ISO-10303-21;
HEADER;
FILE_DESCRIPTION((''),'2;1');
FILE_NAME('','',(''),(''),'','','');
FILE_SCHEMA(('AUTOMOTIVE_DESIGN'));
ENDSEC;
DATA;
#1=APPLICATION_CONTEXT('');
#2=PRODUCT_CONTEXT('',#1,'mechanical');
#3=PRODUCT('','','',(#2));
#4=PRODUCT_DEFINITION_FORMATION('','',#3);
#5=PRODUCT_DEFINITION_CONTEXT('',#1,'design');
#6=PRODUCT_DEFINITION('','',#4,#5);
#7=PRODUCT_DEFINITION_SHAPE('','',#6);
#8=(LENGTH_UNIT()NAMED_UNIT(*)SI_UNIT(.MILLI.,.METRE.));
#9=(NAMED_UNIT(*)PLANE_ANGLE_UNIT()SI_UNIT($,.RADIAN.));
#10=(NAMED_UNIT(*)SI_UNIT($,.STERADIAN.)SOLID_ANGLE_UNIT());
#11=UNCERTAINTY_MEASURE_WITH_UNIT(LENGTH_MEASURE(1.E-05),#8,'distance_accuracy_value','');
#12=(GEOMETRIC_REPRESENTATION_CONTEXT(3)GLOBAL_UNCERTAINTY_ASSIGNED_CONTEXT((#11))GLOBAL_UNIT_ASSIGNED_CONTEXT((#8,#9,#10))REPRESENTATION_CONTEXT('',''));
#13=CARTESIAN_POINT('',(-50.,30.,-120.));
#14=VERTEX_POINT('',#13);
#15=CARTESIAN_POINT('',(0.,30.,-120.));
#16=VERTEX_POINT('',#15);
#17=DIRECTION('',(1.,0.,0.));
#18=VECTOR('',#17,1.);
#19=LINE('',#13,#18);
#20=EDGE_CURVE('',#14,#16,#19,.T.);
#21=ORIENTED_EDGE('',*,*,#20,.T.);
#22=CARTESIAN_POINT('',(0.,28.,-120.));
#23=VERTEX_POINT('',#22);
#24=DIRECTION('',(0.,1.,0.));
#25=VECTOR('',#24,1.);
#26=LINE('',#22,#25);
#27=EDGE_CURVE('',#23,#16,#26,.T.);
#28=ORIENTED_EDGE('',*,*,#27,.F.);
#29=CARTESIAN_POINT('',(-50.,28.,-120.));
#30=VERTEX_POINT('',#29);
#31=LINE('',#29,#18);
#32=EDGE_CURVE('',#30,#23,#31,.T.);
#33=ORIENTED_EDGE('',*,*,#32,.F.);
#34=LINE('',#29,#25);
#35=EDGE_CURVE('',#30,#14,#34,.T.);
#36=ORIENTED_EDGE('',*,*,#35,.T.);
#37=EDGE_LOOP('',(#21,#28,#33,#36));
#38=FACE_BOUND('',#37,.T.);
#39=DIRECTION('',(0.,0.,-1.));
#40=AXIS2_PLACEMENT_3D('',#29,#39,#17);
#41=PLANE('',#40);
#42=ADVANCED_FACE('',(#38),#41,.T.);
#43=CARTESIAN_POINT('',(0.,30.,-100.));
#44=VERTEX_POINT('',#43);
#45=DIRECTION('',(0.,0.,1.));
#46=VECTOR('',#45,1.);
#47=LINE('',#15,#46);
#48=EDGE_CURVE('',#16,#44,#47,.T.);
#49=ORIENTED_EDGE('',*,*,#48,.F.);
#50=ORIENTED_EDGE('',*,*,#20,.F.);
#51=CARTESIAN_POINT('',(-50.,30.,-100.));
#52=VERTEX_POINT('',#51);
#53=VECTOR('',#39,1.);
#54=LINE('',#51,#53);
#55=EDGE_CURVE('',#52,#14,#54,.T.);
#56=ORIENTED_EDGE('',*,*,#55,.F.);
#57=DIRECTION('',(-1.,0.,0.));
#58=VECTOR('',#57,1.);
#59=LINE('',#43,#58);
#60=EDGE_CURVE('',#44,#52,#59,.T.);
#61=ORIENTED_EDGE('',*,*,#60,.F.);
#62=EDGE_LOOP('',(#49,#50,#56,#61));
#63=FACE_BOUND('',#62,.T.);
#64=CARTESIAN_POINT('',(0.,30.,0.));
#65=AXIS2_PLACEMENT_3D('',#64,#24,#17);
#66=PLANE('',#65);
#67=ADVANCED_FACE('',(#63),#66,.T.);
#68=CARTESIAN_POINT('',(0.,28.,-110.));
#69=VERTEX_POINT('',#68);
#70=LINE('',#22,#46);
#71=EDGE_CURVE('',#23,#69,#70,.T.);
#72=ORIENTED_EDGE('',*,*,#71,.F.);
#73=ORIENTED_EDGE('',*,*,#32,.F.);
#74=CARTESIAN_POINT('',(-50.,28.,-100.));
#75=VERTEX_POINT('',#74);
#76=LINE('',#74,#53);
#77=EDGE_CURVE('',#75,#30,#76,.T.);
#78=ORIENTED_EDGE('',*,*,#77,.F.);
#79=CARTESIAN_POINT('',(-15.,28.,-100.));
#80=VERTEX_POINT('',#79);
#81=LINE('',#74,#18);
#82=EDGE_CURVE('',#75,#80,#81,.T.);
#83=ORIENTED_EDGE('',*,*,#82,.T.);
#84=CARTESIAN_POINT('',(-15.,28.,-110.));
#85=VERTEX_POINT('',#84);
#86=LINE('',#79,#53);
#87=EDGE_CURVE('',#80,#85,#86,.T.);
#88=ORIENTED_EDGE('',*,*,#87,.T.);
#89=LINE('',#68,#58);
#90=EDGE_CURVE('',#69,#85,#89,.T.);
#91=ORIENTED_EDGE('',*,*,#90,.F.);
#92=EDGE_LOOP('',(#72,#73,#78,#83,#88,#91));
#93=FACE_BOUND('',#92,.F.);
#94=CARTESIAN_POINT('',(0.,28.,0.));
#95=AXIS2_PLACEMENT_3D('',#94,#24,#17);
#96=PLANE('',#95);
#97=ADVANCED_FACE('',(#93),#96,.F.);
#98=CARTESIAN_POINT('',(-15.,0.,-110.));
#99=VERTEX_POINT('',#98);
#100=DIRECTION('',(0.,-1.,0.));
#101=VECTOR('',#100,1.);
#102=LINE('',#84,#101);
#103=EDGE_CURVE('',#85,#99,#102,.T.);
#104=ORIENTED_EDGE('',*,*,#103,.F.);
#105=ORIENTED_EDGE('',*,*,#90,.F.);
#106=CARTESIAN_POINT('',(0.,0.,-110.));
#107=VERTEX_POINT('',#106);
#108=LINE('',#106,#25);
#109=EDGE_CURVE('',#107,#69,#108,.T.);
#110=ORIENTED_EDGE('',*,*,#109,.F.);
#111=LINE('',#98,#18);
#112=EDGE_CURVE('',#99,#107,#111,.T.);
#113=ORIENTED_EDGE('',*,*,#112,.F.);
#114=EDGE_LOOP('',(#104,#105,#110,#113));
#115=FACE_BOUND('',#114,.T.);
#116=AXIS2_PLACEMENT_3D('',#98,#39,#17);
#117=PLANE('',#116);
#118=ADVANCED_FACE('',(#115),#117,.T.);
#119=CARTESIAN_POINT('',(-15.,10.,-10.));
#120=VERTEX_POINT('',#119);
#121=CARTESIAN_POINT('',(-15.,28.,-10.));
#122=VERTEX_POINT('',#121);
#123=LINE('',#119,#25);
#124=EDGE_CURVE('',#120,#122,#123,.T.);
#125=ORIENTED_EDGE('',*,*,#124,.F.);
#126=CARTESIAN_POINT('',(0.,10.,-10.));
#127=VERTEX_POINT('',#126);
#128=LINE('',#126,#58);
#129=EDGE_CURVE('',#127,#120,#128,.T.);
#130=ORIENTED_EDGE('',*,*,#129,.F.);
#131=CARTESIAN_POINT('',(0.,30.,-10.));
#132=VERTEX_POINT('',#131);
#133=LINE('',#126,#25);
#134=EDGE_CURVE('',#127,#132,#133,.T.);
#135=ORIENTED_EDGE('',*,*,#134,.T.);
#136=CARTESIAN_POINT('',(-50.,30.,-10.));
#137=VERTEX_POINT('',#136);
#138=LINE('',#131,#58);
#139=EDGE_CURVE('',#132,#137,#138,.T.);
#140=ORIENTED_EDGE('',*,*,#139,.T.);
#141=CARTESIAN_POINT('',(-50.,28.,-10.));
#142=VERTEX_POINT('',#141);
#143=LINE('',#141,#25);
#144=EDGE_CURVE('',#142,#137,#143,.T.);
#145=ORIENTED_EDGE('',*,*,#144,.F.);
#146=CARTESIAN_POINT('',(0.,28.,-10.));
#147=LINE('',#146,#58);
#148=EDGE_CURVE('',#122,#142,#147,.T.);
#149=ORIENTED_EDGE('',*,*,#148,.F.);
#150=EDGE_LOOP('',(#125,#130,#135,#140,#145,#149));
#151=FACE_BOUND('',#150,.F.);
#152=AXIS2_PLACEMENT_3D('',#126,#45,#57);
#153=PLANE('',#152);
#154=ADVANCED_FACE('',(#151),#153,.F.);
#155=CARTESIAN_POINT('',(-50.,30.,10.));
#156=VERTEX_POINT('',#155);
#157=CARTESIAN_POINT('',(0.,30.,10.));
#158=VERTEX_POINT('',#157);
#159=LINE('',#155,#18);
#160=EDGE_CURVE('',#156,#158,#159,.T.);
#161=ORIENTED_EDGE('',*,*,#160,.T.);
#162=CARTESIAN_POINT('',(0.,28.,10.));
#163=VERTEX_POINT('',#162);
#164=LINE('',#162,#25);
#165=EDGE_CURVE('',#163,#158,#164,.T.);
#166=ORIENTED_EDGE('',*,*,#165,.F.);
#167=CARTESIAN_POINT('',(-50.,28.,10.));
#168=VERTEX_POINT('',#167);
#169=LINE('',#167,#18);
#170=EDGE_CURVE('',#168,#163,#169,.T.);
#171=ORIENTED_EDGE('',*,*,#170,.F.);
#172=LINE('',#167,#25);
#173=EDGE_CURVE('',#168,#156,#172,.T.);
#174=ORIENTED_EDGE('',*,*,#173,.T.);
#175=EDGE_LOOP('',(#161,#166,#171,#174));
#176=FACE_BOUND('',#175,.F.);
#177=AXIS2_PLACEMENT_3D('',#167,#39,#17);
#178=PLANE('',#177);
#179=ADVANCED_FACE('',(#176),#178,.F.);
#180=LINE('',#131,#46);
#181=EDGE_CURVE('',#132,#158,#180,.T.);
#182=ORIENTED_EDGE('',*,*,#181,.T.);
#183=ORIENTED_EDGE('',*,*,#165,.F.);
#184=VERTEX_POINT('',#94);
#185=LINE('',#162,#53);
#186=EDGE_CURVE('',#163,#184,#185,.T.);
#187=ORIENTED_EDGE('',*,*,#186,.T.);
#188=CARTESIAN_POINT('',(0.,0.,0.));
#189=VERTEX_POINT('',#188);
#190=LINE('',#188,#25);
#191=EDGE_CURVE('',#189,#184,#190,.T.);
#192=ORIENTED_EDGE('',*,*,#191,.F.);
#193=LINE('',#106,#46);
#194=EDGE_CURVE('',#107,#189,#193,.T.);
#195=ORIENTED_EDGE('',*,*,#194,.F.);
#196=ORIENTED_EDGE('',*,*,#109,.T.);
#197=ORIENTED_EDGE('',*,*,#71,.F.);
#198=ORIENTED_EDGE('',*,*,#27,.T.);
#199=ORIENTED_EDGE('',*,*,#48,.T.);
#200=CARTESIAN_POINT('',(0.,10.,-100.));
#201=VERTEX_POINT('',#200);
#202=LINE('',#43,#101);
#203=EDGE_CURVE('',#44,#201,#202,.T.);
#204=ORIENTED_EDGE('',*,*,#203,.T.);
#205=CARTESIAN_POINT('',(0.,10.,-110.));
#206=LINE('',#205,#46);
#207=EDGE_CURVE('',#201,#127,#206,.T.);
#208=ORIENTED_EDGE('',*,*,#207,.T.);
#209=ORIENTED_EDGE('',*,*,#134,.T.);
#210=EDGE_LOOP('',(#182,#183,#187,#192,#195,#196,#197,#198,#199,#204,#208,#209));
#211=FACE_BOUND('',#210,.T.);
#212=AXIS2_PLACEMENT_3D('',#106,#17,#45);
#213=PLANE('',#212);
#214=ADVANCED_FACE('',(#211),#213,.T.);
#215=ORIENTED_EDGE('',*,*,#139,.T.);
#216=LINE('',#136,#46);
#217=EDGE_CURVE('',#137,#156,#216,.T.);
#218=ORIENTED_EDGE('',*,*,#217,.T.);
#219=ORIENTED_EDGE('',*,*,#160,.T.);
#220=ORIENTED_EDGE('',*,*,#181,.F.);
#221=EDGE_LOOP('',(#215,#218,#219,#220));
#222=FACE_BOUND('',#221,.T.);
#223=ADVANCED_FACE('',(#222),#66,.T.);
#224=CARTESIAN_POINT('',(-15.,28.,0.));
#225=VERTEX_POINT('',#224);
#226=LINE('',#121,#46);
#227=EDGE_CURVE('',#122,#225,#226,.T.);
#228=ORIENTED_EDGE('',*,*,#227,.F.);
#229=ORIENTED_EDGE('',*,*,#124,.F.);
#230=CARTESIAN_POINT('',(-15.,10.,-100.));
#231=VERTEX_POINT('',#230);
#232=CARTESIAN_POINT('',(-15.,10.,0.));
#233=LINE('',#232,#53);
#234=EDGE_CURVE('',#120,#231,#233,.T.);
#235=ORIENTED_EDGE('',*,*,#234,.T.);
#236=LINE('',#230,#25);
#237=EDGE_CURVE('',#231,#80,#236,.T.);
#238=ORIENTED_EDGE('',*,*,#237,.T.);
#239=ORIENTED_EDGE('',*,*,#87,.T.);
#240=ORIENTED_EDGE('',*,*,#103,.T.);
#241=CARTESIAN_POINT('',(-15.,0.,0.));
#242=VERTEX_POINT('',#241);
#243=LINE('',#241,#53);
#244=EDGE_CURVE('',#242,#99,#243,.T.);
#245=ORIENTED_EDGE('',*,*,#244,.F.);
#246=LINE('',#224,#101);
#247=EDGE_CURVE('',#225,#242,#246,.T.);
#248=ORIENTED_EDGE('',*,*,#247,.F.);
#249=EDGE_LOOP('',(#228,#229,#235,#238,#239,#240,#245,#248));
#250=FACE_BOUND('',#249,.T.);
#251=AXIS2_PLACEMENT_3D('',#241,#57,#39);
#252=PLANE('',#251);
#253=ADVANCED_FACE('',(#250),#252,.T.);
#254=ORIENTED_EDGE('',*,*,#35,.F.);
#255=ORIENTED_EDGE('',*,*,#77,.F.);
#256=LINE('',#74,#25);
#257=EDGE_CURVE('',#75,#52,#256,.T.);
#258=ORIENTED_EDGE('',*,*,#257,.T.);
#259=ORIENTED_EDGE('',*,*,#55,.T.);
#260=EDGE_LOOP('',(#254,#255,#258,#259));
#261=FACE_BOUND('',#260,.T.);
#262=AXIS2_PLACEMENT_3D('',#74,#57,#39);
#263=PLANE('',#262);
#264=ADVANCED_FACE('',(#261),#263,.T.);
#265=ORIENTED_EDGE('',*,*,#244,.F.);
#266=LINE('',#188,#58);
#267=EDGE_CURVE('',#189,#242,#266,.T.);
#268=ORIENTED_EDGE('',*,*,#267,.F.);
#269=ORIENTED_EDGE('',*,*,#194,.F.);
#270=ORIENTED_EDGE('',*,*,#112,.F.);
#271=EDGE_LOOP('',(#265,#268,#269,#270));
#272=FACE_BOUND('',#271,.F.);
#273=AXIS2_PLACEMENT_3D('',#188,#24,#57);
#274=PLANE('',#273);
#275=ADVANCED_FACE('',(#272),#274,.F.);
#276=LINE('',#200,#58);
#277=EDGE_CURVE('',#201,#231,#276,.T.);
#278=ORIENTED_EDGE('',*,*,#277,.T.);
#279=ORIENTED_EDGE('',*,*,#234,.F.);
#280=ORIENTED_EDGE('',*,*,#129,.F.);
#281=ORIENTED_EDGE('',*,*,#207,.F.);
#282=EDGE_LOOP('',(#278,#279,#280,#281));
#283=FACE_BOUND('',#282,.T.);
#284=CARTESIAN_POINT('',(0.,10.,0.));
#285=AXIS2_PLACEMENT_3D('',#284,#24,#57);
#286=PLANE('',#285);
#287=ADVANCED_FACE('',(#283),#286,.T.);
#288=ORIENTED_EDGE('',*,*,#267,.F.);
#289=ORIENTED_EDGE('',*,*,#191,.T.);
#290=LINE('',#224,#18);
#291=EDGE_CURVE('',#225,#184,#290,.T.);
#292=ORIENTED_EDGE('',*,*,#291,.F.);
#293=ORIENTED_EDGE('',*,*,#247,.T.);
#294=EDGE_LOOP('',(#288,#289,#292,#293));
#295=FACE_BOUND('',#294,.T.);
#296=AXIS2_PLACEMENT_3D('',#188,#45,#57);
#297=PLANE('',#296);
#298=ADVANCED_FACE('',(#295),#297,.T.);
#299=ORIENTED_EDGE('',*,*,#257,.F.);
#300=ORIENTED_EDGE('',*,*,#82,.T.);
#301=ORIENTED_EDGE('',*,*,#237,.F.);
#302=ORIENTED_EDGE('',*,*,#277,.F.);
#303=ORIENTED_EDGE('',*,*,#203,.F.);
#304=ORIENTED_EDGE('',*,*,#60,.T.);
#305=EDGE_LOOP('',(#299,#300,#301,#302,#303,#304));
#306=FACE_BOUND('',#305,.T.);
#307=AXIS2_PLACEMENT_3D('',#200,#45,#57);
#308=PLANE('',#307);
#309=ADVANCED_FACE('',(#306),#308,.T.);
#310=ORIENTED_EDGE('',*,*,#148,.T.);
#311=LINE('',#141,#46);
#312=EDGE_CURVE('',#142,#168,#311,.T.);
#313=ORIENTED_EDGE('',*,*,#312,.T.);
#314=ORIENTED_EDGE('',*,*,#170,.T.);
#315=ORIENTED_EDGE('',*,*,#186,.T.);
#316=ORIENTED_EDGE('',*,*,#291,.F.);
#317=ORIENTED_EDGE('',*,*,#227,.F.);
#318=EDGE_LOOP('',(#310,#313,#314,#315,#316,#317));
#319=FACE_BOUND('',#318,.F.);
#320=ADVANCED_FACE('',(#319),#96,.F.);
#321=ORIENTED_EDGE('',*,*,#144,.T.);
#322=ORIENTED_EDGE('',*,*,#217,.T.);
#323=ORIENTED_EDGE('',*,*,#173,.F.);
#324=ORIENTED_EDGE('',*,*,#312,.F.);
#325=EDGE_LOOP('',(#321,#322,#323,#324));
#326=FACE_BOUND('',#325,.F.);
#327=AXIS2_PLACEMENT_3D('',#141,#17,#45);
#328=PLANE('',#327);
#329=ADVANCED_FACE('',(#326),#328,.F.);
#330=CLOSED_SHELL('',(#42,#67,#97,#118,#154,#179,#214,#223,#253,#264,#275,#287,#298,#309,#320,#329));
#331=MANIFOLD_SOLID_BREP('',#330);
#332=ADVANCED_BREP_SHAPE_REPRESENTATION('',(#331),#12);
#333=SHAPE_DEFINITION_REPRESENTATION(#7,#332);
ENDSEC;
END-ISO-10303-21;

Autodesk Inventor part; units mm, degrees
ref_plane "YZ Plane" through (0, 0, 0) normal (1, 0, 0) x (0, 1, 0)
ref_plane "XZ Plane" through (0, 0, 0) normal (0, 1, 0) x (-1, 0, 0)
ref_plane "XY Plane" through (0, 0, 0) normal (0, 0, 1) x (1, 0, 0)
sketch "Sketch1" plane through (0, 0, 0) normal (0, 1, 0) x (-1, 0, 0)
  line L0 (0, 0) -> (15, 0)
  line L1 (15, 0) -> (15, -110)
  line L2 (15, -110) -> (0, -110)
  line L3 (0, -110) -> (0, 0)
  dimension "d0" = 110
  dimension "d1" = 15
extrude "Extrusion1" add sketch "Sketch1" along normal blind 10
sketch "Sketch2" plane through (0, 10, 0) normal (0, 1, 0) x (1, 0, 0)
  line L0 (-15, 0) -> (0, 0) projected
  line L1 (0, 0) -> (0, 110) projected
  line L2 (-15, 0) -> (0, 0)
  line L3 (0, 0) -> (0, 10)
  line L4 (0, 10) -> (-15, 10)
  line L5 (-15, 10) -> (-15, 0)
  line L6 (0, 110) -> (-15, 110) projected
  line L7 (-15, 110) -> (0, 110)
  line L8 (0, 110) -> (0, 100)
  line L9 (0, 100) -> (-15, 100)
  line L10 (-15, 100) -> (-15, 110)
  dimension "d4" = 10
  dimension "d5" = 10
extrude "Extrusion2" add sketch "Sketch2" along normal blind 18
sketch "Sketch3" plane through (0, 28, 0) normal (0, 1, 0) x (1, 0, 0)
  line L0 (0, 0) -> (0, 10) projected
  line L1 (0, 10) -> (-50, 10)
  line L2 (-50, 10) -> (-50, -10)
  line L3 (-50, -10) -> (0, -10)
  line L4 (0, -10) -> (0, 10)
  line L5 (-15, 100) -> (0, 100) projected
  line L6 (0, 100) -> (-50, 100)
  line L7 (-50, 100) -> (-50, 120)
  line L8 (-50, 120) -> (0, 120)
  line L9 (0, 120) -> (0, 100)
  dimension "d8" = 50
  dimension "d9" = 20
  dimension "d10" = 50
  dimension "d11" = 20
extrude "Extrusion3" add sketch "Sketch3" along normal blind 2
properties part number "servobridge"
